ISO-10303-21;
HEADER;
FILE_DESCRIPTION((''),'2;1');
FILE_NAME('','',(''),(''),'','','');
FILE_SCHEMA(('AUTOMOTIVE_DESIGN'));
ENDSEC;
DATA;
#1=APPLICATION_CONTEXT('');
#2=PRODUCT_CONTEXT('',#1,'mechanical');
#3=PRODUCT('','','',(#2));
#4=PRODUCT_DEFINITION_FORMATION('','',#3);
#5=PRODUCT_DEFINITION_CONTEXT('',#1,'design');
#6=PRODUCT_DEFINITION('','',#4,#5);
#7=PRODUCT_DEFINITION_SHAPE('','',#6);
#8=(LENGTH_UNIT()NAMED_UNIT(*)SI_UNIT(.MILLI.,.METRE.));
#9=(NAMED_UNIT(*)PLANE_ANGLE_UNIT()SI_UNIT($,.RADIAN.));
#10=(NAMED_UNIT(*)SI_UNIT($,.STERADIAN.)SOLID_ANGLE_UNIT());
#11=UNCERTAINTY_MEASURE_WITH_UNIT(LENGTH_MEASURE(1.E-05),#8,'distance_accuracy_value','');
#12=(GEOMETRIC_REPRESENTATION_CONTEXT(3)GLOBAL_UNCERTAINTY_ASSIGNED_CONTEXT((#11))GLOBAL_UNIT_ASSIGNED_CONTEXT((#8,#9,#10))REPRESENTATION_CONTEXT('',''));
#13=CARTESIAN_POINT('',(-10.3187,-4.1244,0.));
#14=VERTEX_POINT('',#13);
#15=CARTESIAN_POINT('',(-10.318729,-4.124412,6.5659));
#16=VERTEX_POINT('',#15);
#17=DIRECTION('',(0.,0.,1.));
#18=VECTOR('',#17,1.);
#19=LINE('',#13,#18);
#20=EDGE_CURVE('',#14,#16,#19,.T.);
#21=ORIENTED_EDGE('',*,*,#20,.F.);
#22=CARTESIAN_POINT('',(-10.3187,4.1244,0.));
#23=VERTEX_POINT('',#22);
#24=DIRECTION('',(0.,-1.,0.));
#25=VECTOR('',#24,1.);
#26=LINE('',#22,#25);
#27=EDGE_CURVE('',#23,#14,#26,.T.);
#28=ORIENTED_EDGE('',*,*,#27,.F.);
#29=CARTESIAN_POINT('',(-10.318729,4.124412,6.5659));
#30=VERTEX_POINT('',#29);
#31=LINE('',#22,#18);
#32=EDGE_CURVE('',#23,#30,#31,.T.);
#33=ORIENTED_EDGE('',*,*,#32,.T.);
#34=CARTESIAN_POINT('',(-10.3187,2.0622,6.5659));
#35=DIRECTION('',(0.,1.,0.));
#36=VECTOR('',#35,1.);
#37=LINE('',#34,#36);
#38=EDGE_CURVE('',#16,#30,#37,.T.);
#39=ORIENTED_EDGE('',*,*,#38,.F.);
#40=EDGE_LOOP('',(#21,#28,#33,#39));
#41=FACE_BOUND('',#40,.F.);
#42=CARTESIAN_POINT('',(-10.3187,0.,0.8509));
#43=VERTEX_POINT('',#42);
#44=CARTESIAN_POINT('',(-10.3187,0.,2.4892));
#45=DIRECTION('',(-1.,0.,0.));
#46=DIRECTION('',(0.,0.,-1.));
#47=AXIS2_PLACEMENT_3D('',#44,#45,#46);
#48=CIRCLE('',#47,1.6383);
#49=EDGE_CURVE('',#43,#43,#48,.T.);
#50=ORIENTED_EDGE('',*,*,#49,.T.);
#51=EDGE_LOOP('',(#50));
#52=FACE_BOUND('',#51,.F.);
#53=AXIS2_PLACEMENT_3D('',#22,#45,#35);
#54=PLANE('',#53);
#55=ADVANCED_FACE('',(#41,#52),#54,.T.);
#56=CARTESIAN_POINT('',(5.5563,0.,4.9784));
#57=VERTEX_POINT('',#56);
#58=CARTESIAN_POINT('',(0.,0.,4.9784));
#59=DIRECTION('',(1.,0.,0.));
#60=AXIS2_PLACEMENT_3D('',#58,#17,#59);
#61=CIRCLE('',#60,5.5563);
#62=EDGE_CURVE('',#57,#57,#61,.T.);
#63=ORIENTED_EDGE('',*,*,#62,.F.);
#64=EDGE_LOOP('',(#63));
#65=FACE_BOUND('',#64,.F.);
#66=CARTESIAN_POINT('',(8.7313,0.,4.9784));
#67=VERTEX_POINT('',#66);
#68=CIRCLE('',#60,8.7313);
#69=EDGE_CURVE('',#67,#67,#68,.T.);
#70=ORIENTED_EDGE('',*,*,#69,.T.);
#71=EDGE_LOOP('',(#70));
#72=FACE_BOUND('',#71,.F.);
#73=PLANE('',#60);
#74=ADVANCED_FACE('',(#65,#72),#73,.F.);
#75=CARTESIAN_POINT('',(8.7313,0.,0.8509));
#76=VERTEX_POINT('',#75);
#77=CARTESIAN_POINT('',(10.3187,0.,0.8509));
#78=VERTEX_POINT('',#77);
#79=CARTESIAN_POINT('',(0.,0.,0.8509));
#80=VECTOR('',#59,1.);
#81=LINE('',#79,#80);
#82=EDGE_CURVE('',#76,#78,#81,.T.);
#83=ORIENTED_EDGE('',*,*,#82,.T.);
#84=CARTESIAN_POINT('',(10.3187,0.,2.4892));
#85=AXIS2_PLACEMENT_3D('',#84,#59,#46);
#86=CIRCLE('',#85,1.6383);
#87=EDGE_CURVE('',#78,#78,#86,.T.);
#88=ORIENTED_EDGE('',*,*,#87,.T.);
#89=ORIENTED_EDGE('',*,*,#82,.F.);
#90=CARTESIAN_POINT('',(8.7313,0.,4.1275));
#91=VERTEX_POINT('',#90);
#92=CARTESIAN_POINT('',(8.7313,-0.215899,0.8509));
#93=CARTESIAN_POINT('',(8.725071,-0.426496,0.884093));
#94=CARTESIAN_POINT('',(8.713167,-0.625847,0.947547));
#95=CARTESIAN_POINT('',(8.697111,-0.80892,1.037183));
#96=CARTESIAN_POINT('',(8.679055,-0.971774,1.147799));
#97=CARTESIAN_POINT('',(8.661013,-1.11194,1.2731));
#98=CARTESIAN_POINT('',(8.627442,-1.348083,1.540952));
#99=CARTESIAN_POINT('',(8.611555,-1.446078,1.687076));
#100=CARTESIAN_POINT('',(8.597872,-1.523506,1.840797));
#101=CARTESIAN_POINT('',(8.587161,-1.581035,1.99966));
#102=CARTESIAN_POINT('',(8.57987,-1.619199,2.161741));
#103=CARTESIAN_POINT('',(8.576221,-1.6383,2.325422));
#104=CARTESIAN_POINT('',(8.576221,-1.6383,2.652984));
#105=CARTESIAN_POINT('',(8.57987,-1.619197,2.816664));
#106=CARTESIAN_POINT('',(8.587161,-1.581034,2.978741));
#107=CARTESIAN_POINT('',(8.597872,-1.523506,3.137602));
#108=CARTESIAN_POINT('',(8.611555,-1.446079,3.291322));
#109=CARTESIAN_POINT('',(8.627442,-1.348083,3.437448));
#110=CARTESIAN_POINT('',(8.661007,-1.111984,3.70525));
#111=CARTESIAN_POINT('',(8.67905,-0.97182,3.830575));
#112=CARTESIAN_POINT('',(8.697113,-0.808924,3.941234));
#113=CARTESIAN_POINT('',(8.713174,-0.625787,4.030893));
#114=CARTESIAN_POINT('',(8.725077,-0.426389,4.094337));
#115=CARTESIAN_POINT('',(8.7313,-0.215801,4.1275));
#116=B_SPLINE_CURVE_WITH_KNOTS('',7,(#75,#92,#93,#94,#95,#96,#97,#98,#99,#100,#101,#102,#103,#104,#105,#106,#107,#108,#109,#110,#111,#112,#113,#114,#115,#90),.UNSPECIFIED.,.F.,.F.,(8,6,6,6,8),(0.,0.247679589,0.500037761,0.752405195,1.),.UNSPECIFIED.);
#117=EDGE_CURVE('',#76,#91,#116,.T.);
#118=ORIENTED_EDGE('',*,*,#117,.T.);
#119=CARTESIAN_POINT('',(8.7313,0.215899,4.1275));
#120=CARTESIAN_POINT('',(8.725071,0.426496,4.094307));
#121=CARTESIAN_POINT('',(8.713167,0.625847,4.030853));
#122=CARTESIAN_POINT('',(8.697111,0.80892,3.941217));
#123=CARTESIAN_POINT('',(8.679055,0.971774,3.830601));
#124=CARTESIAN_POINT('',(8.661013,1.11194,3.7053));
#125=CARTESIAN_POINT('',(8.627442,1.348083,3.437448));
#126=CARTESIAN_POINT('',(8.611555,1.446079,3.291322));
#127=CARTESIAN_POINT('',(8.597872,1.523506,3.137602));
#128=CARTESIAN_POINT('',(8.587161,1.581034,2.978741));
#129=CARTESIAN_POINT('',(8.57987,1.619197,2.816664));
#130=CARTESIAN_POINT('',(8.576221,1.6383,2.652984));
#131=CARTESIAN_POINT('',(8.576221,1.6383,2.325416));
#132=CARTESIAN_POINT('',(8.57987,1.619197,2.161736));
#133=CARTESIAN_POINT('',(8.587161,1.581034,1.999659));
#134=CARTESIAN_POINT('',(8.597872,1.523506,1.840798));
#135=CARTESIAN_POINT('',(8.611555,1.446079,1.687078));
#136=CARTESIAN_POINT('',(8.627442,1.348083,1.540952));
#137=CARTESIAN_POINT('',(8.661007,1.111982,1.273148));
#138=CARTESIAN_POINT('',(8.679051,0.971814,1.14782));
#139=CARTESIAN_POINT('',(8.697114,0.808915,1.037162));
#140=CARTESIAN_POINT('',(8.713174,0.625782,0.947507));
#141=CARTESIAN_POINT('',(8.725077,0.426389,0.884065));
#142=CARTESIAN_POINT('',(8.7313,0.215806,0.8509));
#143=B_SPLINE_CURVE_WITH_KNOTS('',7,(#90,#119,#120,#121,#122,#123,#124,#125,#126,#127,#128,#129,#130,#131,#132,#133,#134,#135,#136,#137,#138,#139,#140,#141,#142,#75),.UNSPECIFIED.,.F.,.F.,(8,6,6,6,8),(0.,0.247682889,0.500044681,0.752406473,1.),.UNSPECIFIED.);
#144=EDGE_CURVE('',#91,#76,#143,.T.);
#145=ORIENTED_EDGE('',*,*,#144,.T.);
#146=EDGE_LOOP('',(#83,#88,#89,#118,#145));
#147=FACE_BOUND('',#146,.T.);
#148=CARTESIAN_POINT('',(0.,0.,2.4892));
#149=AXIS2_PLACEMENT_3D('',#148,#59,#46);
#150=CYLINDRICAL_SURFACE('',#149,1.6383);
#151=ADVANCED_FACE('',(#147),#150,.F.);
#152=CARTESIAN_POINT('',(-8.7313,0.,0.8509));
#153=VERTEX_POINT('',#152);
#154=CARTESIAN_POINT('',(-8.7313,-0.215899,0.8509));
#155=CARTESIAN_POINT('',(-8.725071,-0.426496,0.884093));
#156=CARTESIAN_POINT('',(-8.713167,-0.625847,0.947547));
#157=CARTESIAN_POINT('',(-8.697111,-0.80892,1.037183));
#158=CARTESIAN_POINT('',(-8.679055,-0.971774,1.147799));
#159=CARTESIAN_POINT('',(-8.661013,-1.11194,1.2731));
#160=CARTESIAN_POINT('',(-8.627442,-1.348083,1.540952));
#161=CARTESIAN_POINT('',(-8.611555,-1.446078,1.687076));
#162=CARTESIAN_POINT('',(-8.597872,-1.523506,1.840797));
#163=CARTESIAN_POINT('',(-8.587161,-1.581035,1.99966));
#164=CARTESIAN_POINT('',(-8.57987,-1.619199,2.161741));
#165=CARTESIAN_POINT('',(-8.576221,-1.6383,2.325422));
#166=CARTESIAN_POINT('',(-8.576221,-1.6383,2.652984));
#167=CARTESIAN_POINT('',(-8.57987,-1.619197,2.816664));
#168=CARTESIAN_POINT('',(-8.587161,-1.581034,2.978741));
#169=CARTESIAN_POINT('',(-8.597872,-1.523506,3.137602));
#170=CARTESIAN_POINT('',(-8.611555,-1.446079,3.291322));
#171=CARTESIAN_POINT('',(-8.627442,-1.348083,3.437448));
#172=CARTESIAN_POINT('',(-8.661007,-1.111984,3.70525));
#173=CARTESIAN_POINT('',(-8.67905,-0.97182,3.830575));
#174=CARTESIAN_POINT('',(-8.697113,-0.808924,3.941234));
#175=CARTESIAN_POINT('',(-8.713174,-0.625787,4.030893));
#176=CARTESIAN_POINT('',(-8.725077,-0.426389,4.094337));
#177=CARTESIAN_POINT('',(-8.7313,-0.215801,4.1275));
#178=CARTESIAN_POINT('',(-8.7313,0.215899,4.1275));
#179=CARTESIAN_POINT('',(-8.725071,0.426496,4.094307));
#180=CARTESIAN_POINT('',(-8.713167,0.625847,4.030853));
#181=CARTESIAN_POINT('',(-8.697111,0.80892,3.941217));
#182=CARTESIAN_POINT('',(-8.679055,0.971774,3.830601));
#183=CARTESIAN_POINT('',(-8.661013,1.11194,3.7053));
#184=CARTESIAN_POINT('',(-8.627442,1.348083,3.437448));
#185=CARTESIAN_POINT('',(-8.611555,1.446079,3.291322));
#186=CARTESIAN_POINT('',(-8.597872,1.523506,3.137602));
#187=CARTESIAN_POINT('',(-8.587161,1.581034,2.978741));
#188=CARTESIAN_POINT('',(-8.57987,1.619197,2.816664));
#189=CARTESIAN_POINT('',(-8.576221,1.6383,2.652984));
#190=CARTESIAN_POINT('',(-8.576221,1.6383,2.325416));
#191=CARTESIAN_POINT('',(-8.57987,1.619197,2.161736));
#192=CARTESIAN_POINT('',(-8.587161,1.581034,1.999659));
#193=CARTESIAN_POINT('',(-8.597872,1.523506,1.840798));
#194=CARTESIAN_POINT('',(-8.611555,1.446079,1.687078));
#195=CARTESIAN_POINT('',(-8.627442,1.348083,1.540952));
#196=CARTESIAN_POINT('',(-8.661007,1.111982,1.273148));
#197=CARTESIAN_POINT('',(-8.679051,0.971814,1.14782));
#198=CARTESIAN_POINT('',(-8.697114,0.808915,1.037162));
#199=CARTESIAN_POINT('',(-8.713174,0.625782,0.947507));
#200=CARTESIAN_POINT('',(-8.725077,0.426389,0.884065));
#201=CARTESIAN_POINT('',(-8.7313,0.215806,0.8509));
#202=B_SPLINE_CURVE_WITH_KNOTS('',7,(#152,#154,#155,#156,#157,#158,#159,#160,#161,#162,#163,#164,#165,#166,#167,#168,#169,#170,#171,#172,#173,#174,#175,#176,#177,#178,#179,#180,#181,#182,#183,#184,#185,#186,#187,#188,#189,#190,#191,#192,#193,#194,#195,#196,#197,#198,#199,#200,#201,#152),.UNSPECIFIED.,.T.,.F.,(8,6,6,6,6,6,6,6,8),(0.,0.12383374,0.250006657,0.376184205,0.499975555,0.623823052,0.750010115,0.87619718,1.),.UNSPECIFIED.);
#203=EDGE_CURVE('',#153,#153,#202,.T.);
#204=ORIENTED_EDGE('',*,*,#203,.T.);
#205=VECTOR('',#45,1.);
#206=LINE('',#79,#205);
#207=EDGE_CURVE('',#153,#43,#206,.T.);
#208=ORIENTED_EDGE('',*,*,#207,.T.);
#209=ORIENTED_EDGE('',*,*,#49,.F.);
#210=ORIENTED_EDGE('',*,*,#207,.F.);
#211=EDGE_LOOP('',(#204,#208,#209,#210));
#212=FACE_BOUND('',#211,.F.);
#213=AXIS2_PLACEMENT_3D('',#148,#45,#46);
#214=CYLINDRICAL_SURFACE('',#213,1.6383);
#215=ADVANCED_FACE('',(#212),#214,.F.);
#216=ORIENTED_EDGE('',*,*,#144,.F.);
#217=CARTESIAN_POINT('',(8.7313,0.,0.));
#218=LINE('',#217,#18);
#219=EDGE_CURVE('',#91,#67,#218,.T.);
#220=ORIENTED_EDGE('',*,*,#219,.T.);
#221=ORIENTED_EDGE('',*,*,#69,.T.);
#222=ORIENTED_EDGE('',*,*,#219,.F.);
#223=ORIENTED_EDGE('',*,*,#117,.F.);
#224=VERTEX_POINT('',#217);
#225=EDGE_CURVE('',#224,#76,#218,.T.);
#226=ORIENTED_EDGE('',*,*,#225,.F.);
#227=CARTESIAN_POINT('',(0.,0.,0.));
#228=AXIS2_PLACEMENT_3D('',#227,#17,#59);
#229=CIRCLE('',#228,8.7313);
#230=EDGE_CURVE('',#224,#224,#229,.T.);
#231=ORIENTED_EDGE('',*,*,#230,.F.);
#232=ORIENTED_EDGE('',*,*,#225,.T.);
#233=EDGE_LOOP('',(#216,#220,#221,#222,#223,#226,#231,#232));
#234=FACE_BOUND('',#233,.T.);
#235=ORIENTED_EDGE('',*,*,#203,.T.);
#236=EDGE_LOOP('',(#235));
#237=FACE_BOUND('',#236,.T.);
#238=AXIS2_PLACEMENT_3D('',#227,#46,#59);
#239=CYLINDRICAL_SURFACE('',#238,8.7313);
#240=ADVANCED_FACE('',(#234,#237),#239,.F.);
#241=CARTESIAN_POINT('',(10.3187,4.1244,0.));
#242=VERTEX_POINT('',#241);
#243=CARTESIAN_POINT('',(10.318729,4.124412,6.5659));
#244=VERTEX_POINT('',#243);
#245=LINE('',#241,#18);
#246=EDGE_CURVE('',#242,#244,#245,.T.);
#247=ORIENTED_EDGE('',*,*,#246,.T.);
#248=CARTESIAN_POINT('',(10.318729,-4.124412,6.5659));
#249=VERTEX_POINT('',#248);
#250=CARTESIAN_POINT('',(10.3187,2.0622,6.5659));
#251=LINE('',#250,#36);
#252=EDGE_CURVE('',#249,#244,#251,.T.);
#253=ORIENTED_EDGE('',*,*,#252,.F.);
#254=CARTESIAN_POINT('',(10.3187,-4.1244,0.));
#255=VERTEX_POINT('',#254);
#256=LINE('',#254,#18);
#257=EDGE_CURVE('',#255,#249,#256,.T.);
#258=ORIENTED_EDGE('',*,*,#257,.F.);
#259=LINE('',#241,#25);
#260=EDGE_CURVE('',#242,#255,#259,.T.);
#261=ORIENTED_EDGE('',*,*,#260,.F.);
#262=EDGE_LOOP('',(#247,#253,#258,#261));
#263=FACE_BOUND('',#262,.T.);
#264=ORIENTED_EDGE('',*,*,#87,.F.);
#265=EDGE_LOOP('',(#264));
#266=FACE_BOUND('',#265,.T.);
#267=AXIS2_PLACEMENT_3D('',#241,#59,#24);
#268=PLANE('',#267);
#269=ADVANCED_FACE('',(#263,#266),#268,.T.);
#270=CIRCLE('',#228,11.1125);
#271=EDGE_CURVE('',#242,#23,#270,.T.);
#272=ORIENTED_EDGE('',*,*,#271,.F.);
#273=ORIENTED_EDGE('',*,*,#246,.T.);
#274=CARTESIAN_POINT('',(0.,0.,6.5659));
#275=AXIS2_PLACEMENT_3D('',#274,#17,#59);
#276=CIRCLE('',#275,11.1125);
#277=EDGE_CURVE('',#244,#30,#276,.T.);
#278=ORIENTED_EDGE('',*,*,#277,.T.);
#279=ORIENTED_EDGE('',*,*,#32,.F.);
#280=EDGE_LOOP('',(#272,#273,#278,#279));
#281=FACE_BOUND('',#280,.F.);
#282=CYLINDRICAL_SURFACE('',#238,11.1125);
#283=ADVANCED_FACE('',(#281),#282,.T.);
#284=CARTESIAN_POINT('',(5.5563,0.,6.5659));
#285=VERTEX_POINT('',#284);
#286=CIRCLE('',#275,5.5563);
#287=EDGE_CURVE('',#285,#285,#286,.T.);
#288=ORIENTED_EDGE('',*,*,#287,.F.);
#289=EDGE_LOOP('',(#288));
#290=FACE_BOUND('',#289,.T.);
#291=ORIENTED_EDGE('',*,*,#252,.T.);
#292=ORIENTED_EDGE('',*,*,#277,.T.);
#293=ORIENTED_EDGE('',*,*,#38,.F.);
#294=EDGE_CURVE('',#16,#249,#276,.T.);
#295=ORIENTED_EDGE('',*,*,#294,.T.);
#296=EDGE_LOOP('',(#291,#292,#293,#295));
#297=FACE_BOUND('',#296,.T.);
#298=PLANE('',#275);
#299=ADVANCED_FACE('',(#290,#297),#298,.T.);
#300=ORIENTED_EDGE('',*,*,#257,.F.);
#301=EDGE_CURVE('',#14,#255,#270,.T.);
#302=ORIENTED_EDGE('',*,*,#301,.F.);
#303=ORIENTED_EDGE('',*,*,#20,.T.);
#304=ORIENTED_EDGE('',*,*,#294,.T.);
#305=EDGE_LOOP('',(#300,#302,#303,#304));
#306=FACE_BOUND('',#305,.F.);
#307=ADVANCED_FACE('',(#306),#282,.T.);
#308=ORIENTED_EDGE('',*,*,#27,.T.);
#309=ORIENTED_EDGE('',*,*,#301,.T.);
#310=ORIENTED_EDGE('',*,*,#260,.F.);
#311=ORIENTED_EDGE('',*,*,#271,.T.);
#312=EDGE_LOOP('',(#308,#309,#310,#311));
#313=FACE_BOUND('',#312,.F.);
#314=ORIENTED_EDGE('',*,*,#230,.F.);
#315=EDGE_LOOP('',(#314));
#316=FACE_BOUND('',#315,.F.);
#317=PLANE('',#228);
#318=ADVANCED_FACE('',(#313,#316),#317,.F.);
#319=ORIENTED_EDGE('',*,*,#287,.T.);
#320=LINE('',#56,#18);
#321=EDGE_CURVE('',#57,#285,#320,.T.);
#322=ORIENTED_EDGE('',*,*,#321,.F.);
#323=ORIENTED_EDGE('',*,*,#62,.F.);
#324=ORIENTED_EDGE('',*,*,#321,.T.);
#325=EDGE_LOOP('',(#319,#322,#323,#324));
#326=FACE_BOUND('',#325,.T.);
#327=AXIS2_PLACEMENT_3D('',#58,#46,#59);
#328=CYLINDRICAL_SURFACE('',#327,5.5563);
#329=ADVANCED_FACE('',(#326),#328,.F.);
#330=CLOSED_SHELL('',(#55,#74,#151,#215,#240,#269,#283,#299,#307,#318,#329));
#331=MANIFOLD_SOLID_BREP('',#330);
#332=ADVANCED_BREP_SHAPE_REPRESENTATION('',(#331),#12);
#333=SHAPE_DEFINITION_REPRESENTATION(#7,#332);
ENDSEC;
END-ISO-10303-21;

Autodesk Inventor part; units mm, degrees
ref_plane "YZ Plane" through (0, 0, 0) normal (1, 0, 0) x (0, 1, 0)
ref_plane "XZ Plane" through (0, 0, 0) normal (0, 1, 0) x (-1, 0, 0)
ref_plane "XY Plane" through (0, 0, 0) normal (0, 0, 1) x (1, 0, 0)
sketch "Sketch1" plane through (0, 0, 0) normal (0, 0, 1) x (1, 0, 0)
  circle A0 centre (0, 0) radius 11.1125
  circle A1 centre (0, 0) radius 6.35
  circle A2 centre (0, 0) radius 8.7313
  dimension "d0" = 22.225
  dimension "d1" = 12.7
  dimension "d34" = 2.3813
  dimension "d35" = 2.3813
extrude "Extrusion3" add sketch "Sketch1" along normal blind 4.9784 contours A0
sketch "Sketch2" plane through (0, 0, 4.9784) normal (0, 0, 1) x (1, 0, 0)
  circle A0 centre (0, 0) radius 11.1125 projected
  circle A1 centre (0, 0) radius 5.5563
  dimension "d36" = 11.1125
extrude "Extrusion4" add sketch "Sketch2" along normal blind 1.5875
sketch "Sketch3" plane through (0, 0, 0) normal (1, 0, 0) x (0, 1, 0)
  line L0 (-8.7313, 4.9784) -> (8.7313, 4.9784) projected
  line L1 (8.7313, 0) -> (-8.7313, 0) projected
  line L2 (0, 0) -> (0, 4.9784) construction
  point P0 (0, 2.4892)
hole "Hole2" at (0, 0, 2.4892) direction (-1, 0, 0) diameter 3.2766 end through all clearance for "Flat Head Machine Screw (82)" size "#4" standard "Ansi Unified Screw Threads"
sketch "Sketch4" plane through (0, 0, 0) normal (0, 0, -1) x (-1, 0, 0)
  circle A0 centre (0, 0) radius 11.1125 projected
  line L0 (0, 0) -> (-11.1125, 0) construction
  line L1 (-10.3187, 4.1244) -> (-10.3187, -4.1244)
  circle A1 centre (0, 0) radius 7.9375 construction
  point P0 (-7.9375, 0)
  point P1 (-10.3187, 0)
  dimension "d30" = 15.875
  dimension "d29" = 0.7937
extrude "Extrusion5" cut sketch "Sketch4" against normal through all contours L1 A0 picked at (-10.5166, 0.7)
mirror "Mirror1" about plane through (0, 0, 0) normal (1, 0, 0) of "Hole2", "Extrusion5"
equation "\"d34\" = d35"
properties part number "Pneumatic Connector -Shaft Side Cover"
